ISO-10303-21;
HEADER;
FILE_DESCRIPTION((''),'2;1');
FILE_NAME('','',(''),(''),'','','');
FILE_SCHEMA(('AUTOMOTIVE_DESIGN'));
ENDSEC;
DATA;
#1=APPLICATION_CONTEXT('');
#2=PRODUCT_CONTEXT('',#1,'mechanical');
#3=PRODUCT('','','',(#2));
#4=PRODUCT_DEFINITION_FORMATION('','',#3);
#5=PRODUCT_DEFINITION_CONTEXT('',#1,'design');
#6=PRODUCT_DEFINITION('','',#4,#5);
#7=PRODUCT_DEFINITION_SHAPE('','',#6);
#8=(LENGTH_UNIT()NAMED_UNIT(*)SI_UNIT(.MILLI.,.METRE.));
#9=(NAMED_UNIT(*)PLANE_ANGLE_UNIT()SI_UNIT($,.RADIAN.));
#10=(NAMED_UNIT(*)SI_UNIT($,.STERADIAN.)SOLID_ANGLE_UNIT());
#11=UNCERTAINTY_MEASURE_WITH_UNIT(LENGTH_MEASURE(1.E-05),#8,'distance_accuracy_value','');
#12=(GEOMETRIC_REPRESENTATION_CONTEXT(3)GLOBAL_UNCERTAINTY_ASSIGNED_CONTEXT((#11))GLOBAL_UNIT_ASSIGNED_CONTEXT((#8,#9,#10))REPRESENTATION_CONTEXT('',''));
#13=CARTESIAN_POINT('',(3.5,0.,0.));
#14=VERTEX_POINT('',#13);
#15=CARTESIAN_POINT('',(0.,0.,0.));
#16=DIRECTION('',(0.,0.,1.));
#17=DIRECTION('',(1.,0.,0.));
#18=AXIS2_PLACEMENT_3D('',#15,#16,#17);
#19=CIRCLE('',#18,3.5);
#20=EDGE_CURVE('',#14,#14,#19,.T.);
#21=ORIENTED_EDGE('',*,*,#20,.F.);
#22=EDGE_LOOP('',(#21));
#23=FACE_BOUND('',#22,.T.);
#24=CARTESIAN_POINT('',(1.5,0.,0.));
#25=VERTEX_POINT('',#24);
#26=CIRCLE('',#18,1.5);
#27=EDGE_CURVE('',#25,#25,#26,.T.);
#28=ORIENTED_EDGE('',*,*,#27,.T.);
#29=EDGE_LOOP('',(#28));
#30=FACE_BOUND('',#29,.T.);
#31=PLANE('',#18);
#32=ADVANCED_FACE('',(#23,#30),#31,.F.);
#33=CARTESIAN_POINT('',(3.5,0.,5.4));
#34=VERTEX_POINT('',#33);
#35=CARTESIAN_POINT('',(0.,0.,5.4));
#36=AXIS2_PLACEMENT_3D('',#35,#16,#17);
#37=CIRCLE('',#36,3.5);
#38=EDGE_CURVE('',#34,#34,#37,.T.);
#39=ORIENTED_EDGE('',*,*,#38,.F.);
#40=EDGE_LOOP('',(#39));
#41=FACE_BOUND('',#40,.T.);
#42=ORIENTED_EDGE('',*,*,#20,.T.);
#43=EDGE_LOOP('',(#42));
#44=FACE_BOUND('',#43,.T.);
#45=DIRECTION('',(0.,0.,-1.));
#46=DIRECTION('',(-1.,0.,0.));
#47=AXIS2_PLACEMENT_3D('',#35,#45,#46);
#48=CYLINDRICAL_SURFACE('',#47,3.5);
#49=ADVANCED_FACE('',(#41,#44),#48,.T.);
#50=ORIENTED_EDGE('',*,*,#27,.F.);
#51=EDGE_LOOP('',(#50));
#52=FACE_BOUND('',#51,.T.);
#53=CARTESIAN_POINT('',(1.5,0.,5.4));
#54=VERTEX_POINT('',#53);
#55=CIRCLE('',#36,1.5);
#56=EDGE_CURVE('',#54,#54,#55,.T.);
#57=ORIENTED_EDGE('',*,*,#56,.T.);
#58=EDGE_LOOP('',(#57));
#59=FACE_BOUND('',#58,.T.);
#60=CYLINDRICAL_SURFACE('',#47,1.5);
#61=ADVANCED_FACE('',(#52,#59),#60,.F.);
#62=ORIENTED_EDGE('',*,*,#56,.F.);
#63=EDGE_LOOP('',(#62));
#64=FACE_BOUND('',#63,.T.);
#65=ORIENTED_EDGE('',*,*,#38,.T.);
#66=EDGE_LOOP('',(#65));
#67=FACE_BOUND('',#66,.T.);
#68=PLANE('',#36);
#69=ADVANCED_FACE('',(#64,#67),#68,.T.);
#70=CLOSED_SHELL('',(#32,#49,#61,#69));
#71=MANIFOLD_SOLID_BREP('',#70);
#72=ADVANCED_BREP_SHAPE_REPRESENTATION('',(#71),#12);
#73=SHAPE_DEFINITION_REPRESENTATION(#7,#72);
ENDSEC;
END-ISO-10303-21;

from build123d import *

# Parameters (mm, degrees)
SKETCH1_R           = 3.5
SKETCH1_R_2         = 1.5
BOSS_EXTRUDE1_DEPTH = 5.4


with BuildPart() as part:
    # Sketch1 → Boss-Extrude1 (new body)
    with BuildSketch(Plane.XY):
        Circle(SKETCH1_R)
        Circle(SKETCH1_R_2, mode=Mode.SUBTRACT)
    extrude(amount=BOSS_EXTRUDE1_DEPTH)


solid = part.part
